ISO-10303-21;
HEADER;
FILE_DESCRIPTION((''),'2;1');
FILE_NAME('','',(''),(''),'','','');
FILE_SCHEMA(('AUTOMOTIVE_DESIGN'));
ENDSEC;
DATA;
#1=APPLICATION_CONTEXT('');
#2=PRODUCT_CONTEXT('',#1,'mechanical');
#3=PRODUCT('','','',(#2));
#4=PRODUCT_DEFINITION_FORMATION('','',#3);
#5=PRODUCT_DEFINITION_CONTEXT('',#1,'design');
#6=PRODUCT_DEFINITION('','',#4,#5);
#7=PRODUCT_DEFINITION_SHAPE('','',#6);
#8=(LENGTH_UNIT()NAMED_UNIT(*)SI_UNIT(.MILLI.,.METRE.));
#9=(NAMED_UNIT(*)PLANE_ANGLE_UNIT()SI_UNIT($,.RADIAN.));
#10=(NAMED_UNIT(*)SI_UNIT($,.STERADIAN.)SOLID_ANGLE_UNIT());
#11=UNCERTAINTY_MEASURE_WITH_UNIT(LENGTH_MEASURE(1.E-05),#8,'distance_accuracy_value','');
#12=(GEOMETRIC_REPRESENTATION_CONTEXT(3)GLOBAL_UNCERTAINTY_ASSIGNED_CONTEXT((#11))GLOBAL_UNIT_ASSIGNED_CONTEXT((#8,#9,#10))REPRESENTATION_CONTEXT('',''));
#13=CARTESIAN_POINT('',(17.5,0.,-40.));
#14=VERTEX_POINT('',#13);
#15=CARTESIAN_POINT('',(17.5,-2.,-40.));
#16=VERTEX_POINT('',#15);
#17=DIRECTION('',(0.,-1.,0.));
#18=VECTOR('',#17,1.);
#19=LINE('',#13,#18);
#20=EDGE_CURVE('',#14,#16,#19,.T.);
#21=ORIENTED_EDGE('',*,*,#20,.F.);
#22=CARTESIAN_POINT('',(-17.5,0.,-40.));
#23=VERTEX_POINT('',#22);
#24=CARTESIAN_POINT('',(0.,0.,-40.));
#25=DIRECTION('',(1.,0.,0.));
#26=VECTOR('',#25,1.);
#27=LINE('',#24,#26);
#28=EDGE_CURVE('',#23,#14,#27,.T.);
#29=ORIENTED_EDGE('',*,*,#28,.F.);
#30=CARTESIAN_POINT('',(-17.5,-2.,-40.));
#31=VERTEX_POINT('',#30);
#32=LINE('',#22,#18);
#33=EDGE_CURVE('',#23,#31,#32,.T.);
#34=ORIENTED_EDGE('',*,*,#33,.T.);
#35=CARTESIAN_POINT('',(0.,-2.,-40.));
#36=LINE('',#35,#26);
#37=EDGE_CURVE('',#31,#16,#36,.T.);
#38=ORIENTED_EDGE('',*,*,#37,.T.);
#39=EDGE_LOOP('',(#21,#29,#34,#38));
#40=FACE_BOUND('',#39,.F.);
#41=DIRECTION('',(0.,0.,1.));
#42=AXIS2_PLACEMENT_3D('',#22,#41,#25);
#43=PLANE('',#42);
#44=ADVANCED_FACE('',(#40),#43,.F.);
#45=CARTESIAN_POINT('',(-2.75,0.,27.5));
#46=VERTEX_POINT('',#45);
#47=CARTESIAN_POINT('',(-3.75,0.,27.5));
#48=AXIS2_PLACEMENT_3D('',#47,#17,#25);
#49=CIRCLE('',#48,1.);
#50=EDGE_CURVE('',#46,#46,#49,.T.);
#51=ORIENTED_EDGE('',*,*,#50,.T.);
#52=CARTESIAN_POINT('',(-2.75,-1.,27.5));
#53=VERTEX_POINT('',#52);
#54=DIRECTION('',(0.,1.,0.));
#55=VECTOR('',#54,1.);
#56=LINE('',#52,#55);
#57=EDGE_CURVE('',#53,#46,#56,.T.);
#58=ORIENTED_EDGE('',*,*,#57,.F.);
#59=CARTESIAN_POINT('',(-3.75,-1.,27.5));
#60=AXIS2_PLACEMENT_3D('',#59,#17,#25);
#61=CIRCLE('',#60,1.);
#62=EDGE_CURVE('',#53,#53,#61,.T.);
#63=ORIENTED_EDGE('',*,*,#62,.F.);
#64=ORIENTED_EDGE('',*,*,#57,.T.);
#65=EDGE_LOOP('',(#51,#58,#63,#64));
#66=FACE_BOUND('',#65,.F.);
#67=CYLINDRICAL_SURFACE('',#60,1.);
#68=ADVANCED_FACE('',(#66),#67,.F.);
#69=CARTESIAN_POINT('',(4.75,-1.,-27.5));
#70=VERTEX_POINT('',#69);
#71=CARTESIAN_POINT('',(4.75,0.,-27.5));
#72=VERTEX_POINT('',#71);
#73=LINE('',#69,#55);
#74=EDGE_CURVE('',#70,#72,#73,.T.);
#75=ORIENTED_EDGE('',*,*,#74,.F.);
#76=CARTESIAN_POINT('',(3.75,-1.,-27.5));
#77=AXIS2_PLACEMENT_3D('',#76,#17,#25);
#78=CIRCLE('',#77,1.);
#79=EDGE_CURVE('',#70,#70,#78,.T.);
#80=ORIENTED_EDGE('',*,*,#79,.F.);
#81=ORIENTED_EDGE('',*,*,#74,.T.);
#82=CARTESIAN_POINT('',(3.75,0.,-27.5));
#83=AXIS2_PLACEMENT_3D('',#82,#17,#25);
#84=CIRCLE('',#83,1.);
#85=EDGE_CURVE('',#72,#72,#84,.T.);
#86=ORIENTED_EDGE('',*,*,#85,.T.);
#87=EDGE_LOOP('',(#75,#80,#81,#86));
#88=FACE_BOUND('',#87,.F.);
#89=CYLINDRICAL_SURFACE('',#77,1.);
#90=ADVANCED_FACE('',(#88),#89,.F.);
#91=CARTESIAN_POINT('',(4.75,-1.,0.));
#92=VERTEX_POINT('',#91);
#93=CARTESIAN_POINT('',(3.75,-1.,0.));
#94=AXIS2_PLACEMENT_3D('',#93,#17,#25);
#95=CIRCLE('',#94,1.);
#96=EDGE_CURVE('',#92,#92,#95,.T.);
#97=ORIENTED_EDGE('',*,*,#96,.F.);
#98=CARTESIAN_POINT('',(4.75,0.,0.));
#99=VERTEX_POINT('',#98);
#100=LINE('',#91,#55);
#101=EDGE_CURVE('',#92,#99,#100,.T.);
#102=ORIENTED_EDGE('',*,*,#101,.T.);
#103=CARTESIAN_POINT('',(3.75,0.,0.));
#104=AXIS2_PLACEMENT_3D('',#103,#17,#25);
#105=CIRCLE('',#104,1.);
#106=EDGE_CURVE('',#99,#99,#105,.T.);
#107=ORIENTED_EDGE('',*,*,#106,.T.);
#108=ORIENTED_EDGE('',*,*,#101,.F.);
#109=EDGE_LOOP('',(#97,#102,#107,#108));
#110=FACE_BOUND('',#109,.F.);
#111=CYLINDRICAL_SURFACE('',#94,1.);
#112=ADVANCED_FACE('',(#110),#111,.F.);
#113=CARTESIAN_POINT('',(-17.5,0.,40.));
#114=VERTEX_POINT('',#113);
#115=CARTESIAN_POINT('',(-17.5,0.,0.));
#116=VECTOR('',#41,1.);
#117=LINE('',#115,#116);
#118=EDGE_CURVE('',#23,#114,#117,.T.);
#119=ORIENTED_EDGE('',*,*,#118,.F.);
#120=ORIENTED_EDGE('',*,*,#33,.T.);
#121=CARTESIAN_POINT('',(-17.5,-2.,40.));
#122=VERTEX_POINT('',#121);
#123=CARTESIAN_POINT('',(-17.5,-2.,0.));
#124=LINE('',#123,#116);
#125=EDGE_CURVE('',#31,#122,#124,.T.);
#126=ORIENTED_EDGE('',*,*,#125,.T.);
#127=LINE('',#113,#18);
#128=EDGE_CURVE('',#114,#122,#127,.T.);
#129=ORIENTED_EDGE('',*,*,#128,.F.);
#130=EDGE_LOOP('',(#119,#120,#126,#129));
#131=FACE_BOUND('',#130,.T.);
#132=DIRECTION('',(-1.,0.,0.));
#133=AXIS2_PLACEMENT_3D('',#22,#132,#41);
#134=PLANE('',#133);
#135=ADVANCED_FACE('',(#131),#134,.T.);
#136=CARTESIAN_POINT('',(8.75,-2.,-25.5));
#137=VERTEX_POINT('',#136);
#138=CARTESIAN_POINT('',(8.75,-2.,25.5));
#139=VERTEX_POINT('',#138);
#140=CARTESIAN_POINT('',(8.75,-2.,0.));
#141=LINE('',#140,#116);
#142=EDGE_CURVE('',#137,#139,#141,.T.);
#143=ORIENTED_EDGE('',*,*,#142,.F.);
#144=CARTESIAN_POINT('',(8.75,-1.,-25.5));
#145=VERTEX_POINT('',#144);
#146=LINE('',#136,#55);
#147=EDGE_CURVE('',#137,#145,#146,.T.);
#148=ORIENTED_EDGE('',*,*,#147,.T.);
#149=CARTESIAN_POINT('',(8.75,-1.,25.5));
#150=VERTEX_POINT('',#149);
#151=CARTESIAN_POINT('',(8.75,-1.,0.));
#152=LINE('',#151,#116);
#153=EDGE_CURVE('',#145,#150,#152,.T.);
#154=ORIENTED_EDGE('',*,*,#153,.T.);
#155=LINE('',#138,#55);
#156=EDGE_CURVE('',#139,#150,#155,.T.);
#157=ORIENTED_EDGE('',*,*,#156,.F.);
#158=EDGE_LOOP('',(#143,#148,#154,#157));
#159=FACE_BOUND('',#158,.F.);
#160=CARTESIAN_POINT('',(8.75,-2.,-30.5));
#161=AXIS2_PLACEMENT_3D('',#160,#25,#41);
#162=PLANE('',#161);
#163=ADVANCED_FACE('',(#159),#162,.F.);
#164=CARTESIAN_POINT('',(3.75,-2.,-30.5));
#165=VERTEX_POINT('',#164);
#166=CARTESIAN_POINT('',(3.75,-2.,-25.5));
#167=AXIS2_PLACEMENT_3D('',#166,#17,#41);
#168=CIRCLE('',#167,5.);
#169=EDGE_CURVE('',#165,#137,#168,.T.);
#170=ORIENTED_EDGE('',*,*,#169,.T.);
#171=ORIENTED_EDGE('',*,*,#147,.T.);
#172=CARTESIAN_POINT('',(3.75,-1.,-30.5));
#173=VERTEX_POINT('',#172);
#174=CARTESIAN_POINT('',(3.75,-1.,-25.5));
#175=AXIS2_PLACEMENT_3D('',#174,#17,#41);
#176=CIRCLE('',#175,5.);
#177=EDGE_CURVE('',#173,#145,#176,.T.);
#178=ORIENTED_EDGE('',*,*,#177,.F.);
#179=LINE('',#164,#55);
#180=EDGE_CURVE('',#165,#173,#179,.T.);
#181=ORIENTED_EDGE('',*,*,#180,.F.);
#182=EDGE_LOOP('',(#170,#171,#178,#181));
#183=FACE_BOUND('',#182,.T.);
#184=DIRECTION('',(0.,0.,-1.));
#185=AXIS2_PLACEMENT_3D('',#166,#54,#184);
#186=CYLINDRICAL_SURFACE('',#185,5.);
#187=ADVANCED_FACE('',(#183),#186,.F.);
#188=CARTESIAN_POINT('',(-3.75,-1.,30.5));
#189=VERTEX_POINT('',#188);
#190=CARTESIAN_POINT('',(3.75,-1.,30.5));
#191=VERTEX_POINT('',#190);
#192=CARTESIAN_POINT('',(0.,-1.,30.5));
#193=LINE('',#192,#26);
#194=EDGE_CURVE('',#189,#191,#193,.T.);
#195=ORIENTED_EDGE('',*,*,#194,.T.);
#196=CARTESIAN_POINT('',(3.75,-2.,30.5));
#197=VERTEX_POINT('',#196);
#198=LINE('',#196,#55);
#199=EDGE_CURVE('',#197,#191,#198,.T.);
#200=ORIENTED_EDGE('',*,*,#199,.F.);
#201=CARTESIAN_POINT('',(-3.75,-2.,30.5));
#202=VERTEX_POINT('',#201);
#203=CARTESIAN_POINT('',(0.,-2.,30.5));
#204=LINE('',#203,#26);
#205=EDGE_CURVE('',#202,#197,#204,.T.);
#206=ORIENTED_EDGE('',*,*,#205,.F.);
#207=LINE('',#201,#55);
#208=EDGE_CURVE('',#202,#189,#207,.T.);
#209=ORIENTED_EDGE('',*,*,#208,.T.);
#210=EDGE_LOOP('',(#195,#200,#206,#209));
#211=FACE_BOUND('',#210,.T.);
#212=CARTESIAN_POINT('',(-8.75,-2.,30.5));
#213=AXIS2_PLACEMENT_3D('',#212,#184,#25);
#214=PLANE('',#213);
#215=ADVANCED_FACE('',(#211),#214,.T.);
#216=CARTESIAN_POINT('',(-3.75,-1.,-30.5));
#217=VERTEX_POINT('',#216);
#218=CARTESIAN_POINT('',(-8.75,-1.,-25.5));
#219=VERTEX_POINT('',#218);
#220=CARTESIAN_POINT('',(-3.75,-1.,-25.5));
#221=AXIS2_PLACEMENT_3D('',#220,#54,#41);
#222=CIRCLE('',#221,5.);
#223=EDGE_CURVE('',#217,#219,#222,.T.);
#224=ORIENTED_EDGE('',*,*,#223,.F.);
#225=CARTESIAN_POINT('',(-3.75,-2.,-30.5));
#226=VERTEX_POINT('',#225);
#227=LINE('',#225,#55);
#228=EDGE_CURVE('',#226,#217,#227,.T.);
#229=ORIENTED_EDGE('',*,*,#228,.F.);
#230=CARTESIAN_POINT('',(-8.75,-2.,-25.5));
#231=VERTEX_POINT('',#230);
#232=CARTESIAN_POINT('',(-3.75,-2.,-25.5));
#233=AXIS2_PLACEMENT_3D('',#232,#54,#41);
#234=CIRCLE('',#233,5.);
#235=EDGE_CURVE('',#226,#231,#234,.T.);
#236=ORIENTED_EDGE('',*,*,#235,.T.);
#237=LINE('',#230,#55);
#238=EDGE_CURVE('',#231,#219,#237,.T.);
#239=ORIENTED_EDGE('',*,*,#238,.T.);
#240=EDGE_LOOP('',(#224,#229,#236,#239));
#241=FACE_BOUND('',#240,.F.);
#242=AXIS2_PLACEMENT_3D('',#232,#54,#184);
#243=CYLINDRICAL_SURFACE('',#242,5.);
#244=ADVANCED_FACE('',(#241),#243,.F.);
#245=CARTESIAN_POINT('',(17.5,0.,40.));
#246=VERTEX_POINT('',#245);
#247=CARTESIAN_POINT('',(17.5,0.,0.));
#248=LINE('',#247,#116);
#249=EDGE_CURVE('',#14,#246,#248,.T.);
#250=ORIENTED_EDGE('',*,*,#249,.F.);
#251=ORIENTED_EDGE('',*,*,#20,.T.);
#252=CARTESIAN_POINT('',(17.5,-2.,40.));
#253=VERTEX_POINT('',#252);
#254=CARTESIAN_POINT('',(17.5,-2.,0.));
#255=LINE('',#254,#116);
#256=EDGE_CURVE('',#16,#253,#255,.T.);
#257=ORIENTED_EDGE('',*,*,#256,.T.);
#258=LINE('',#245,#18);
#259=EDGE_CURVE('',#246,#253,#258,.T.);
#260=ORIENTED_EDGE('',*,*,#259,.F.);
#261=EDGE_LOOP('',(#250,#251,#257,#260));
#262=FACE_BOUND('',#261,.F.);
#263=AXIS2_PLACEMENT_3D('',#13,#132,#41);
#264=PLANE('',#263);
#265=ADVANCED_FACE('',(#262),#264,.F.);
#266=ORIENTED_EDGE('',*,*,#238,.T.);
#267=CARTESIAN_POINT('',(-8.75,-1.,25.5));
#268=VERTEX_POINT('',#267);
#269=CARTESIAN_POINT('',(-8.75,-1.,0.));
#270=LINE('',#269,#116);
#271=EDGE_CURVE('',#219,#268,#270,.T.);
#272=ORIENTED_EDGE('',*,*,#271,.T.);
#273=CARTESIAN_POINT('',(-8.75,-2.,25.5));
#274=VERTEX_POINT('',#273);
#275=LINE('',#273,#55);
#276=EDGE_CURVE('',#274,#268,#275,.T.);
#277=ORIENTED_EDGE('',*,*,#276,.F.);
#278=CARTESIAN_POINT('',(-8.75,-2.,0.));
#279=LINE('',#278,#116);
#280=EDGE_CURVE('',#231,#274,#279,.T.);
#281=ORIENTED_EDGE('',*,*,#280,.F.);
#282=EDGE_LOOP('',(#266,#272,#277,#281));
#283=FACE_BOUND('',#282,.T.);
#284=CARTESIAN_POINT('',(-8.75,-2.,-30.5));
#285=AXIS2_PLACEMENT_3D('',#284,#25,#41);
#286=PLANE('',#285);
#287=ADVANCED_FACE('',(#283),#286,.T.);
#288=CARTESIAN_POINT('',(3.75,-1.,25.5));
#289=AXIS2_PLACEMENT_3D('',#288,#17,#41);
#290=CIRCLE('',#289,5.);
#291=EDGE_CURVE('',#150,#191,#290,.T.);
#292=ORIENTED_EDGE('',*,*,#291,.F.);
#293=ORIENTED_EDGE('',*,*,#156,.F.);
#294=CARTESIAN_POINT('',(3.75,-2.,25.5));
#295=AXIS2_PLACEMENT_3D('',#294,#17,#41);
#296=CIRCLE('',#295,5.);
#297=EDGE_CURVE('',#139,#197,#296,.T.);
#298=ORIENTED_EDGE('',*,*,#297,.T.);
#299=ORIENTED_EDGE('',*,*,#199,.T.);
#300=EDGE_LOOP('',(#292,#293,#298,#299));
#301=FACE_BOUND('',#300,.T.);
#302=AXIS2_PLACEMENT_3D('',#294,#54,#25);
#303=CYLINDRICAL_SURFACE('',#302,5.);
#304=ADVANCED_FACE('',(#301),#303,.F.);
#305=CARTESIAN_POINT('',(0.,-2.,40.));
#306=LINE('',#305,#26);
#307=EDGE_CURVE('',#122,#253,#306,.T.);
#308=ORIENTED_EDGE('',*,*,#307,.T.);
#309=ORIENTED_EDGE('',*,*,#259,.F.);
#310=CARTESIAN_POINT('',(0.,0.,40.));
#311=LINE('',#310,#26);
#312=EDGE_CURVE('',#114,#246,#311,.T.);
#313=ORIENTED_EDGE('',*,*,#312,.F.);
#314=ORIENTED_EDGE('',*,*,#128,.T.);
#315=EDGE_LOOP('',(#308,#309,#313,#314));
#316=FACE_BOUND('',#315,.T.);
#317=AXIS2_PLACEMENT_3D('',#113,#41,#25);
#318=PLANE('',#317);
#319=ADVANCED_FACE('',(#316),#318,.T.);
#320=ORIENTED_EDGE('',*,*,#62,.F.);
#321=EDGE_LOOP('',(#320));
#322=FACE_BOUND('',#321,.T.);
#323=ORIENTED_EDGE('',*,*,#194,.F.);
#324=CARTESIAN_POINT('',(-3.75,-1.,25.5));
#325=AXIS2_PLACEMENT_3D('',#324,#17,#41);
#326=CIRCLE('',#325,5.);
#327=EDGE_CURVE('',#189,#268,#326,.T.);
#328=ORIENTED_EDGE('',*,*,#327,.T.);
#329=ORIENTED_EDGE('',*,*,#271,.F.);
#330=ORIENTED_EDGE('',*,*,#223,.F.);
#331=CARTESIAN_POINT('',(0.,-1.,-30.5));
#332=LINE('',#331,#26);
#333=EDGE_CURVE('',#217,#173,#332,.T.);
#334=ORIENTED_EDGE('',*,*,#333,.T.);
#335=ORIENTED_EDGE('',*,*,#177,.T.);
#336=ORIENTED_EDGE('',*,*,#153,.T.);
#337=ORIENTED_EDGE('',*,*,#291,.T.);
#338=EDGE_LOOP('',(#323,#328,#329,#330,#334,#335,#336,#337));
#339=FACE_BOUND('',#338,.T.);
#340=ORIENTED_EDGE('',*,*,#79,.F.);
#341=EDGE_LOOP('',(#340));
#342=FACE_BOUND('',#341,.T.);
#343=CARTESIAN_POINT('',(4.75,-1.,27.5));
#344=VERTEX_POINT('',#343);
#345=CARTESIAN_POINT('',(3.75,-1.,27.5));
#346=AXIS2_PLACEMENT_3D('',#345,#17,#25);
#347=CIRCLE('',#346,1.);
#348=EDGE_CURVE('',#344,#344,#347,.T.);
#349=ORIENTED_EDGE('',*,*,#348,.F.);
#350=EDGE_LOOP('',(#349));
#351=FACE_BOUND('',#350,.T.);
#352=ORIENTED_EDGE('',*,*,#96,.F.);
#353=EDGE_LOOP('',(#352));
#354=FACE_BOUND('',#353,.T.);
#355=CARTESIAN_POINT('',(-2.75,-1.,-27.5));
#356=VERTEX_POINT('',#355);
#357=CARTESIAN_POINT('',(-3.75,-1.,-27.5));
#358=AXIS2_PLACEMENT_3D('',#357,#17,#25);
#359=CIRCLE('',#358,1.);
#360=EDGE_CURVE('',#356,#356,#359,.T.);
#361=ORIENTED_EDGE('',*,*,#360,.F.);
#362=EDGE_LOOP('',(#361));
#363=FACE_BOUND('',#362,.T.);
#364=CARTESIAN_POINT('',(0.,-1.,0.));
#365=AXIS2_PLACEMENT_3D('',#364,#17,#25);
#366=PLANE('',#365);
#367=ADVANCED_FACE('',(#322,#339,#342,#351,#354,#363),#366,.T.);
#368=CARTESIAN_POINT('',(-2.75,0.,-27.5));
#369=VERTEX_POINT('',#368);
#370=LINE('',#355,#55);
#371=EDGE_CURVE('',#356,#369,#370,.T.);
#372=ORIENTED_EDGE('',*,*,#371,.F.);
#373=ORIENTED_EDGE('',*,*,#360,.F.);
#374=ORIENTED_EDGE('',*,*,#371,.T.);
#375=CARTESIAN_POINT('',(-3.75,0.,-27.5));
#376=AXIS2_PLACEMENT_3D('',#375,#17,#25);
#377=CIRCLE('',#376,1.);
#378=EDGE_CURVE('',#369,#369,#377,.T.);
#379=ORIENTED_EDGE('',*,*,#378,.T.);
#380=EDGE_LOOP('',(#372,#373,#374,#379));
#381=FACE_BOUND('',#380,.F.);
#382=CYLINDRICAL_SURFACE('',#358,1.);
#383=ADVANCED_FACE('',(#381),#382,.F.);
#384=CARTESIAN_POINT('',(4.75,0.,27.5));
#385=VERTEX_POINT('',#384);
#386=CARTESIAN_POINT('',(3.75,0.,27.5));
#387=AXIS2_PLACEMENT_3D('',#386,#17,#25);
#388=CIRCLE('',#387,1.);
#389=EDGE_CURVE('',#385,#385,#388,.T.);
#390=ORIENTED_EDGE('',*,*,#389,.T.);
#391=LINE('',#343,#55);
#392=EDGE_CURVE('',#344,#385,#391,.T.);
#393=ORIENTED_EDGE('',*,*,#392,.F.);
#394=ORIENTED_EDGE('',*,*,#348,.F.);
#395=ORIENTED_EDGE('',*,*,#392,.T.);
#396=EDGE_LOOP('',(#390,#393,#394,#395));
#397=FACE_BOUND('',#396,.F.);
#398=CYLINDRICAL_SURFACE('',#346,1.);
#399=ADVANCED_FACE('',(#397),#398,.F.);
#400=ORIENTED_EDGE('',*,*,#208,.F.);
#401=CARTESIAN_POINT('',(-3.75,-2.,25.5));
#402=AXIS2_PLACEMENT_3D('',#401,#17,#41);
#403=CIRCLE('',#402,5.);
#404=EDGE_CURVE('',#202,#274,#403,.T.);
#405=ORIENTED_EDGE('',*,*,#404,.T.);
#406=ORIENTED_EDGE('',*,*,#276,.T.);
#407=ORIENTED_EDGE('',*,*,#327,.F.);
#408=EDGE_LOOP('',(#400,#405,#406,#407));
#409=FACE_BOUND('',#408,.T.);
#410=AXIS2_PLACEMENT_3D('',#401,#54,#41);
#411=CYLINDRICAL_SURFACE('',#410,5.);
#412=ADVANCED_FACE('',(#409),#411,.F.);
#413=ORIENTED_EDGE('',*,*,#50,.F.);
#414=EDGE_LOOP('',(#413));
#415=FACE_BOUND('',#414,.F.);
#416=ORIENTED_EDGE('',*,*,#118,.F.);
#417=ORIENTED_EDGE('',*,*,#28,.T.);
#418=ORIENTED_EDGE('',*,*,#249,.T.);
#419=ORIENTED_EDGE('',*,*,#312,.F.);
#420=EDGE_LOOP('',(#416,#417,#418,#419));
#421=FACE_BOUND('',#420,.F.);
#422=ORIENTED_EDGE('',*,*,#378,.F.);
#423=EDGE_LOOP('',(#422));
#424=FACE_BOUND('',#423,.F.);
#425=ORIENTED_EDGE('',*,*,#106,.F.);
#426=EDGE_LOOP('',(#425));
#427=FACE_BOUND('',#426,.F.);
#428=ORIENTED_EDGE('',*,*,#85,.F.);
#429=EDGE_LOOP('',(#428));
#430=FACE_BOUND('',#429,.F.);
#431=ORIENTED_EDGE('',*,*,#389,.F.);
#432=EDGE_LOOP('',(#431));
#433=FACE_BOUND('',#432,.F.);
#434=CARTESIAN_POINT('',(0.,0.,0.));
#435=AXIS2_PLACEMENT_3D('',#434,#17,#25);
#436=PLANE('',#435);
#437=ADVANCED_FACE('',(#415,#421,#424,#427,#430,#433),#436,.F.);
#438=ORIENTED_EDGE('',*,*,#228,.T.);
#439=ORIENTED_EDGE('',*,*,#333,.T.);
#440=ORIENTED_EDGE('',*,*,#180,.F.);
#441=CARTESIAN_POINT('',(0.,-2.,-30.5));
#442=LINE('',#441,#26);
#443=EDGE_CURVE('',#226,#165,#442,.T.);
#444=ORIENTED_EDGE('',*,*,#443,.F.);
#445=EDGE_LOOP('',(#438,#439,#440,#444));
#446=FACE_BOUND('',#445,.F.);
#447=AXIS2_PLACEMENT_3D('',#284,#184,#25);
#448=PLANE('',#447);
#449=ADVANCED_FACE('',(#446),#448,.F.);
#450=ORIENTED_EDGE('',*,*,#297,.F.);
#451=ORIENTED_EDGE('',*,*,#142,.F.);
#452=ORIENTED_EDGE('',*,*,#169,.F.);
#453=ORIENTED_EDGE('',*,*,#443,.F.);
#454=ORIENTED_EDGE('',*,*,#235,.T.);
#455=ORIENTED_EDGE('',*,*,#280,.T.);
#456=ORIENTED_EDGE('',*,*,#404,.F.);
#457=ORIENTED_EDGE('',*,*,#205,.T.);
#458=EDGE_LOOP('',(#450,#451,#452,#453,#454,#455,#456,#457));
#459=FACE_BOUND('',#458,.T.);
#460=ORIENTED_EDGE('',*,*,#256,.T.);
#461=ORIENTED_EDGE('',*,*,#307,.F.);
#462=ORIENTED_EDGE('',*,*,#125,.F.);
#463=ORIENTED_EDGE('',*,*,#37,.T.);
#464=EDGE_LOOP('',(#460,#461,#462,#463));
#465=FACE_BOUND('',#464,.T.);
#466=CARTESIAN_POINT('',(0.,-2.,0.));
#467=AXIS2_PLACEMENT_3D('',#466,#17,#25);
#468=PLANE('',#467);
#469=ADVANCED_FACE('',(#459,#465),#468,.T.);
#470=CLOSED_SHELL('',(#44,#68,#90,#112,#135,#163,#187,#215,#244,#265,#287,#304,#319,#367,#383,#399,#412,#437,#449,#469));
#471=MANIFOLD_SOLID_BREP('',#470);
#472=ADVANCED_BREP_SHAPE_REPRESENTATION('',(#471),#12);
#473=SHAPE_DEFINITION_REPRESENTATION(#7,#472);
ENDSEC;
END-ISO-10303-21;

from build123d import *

# Parameters (mm, degrees)
F0_W     = 35
F0_H     = 80
F1_DEPTH = 2
F2_W     = 17.5
F2_H     = 61
F3_DEPTH = 1
F4_R     = 1
F5_DEPTH = 25
F6_R     = 5


with BuildPart() as f1:
    # F0 (on Front) → F1 (new body)
    with BuildSketch(Plane.XZ):
        Rectangle(F0_W, F0_H)
    extrude(amount=F1_DEPTH)

    # F2 (on face) → F3 (cut)
    with BuildSketch(Plane.XZ.offset(2)):
        Rectangle(F2_W, F2_H)
    extrude(amount=-F3_DEPTH, mode=Mode.SUBTRACT)

    # F4 (on face) → F5 (cut)
    with BuildSketch(Plane.XZ.offset(1)):
        with Locations((3.75, 27.5)):
            Circle(F4_R)
        with Locations((3.75, 0)):
            Circle(F4_R)
        with Locations((3.75, -27.5)):
            Circle(F4_R)
        with Locations((-3.75, 27.5)):
            Circle(F4_R)
        with Locations((-3.75, -27.5)):
            Circle(F4_R)
    extrude(amount=-F5_DEPTH, mode=Mode.SUBTRACT)

    # F6
    f6_edges = [f1.edges().sort_by_distance(p)[0] for p in [
        (-8.75, -1.5, -30.5),
        (8.75, -1.5, -30.5),
        (-8.75, -1.5, 30.5),
        (8.75, -1.5, 30.5),
    ]]
    fillet(f6_edges, radius=F6_R)


solid = f1.part
